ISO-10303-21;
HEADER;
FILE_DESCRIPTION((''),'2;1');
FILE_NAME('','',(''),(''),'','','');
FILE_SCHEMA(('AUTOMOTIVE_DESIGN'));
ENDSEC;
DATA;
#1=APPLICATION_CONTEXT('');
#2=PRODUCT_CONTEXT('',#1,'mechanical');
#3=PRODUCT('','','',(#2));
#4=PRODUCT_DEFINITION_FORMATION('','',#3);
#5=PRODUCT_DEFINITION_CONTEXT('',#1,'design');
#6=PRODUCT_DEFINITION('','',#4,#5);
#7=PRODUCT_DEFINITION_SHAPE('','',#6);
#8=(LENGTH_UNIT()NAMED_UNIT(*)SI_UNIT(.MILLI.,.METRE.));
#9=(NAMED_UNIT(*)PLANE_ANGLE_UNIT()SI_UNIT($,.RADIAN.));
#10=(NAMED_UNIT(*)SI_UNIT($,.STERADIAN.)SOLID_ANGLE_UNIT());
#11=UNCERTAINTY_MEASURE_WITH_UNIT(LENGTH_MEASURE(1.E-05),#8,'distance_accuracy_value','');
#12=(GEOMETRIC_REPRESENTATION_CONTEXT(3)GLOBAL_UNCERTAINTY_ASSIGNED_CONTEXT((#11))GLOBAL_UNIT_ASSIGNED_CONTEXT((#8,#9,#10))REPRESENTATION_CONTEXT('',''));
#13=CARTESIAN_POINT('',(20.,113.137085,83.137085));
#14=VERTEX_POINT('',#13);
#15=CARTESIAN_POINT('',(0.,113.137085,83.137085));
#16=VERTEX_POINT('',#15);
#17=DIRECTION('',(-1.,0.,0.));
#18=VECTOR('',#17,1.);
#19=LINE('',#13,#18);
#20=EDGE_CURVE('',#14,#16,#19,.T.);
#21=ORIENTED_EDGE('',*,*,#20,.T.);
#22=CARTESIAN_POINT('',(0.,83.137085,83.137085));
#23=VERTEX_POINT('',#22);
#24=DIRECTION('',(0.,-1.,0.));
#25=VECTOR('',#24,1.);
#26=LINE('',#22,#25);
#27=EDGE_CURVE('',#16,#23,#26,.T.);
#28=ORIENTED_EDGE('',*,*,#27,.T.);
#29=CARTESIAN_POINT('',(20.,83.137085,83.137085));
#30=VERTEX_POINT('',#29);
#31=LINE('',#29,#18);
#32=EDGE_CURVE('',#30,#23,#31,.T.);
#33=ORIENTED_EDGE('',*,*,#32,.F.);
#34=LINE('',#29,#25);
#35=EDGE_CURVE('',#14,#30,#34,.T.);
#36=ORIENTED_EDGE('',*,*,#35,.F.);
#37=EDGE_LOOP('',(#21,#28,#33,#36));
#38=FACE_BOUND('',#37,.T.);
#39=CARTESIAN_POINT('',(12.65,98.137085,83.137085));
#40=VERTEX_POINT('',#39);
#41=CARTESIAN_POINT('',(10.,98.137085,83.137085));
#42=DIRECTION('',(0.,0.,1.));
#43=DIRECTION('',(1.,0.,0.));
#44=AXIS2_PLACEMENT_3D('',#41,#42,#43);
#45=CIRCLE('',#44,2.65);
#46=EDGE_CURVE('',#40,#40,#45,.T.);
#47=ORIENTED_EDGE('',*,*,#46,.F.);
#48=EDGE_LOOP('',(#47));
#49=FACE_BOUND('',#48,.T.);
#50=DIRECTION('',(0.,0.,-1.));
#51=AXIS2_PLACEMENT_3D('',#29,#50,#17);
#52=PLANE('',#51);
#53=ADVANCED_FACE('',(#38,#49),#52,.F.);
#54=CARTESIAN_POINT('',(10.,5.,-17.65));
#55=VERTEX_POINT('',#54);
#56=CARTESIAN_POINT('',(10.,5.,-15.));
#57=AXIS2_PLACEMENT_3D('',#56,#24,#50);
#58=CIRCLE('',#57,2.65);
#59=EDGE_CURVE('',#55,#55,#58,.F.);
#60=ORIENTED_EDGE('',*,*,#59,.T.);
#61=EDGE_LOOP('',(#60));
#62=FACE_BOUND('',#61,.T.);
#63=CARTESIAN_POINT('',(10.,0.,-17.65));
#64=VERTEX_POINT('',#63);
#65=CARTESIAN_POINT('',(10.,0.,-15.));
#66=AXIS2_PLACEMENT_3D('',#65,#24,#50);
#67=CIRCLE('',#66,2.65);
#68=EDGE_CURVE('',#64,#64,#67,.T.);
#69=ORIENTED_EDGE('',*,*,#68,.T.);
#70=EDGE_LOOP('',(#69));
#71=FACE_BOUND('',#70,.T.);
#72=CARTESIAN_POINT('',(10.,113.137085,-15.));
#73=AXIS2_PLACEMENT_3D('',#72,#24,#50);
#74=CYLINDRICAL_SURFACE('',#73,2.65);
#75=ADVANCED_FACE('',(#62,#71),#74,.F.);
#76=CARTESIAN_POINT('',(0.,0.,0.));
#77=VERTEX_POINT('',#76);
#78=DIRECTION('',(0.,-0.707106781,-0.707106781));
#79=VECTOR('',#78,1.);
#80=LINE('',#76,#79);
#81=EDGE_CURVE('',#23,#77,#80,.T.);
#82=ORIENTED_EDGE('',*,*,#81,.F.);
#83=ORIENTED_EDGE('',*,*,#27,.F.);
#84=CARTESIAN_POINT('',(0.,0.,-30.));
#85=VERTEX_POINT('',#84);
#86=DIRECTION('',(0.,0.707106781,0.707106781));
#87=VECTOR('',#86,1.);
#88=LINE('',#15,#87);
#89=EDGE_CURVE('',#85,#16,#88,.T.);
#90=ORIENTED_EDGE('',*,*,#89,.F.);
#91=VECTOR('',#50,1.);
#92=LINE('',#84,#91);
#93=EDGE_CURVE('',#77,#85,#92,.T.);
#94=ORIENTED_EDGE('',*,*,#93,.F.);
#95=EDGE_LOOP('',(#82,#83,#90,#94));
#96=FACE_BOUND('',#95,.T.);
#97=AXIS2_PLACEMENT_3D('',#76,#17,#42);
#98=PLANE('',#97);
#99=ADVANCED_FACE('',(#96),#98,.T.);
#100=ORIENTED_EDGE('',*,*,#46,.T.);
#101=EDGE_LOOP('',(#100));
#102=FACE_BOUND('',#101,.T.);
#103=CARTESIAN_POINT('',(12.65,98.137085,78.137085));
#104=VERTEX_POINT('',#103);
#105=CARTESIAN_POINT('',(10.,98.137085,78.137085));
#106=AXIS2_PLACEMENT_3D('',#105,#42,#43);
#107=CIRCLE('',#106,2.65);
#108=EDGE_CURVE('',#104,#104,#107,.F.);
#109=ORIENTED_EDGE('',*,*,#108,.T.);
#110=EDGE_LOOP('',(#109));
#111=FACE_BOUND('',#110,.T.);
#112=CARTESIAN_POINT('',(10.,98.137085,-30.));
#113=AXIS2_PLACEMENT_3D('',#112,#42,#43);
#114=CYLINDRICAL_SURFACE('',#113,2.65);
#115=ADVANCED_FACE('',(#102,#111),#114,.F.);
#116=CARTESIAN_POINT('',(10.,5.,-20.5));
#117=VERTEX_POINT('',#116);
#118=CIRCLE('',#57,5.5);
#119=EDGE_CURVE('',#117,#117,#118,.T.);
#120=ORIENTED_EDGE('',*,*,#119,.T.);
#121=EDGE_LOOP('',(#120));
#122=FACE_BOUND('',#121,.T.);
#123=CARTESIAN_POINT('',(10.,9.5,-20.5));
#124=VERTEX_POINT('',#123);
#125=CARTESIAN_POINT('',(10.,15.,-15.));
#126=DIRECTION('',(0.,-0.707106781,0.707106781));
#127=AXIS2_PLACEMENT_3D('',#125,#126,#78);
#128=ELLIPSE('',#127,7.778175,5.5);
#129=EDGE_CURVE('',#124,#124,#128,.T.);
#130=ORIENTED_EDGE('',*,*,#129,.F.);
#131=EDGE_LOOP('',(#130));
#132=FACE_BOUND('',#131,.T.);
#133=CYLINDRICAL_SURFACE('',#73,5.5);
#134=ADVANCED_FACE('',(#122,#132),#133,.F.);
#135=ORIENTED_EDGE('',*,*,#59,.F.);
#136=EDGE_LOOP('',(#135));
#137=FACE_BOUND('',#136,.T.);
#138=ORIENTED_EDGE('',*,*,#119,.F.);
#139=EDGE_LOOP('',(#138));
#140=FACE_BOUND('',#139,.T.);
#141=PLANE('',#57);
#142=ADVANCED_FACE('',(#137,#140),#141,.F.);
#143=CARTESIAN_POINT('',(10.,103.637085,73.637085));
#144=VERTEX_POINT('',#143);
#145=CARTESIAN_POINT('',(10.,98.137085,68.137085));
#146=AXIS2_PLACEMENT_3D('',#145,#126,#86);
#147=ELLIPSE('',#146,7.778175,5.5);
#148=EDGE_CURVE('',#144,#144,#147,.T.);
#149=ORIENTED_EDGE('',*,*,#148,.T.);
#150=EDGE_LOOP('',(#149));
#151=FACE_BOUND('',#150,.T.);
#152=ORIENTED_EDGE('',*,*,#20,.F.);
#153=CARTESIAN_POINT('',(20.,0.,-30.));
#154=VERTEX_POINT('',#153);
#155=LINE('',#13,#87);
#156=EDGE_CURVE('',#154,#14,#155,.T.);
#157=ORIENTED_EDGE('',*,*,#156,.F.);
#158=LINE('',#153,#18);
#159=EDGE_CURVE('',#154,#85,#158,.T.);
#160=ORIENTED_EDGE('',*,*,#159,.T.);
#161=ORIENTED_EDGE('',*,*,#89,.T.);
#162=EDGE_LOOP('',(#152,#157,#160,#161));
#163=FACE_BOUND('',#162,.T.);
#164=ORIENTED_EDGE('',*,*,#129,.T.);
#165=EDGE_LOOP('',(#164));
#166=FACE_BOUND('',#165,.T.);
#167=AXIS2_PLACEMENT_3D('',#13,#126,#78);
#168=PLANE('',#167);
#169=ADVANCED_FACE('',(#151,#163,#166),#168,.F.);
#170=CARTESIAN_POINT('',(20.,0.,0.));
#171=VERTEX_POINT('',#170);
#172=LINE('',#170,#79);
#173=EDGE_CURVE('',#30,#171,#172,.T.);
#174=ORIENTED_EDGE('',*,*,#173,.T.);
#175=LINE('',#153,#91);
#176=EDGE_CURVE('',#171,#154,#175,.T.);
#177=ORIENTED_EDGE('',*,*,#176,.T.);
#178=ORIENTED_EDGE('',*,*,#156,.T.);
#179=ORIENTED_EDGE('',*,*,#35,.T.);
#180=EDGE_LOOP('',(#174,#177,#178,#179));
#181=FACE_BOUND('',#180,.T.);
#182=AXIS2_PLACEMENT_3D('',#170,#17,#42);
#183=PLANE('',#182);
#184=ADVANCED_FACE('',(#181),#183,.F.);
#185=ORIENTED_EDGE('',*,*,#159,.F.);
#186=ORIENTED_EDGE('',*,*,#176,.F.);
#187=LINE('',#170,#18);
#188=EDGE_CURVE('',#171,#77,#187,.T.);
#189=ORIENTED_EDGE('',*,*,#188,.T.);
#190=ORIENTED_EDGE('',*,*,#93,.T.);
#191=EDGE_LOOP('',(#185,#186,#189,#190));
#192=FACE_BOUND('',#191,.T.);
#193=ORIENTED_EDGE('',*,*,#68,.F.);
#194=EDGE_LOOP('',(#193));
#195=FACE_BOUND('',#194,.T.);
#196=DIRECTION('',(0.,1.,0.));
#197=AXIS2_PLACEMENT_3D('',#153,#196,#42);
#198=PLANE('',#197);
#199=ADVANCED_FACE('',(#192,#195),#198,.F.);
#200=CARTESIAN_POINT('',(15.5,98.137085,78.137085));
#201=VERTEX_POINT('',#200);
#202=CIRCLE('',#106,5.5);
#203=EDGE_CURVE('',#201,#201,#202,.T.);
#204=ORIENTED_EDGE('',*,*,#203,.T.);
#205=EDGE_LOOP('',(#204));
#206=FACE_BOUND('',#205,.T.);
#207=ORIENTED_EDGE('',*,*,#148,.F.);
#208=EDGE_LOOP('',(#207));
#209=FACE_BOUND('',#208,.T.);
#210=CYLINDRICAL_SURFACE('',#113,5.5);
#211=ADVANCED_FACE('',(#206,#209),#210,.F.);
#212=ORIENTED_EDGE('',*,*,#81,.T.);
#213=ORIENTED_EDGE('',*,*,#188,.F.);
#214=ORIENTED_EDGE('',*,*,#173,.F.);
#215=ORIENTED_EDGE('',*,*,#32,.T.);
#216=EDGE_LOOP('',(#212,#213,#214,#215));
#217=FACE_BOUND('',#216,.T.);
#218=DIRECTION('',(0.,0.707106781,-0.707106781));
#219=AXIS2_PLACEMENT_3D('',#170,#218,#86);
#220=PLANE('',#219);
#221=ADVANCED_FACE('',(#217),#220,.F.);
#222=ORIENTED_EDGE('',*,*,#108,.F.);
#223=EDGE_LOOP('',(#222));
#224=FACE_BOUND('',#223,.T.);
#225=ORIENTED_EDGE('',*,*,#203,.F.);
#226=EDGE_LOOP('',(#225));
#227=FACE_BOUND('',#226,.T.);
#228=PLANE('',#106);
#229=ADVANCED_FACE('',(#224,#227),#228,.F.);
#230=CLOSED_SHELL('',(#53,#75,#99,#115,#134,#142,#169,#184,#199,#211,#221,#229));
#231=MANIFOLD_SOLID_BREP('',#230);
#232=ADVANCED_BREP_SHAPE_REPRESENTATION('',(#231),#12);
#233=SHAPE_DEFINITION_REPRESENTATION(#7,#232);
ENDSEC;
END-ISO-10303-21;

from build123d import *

# Parameters (mm, degrees)
BOSS_EXTRUDE1_DEPTH = 20
SKETCH3_R           = 2.65
CUT_EXTRUDE1_DEPTH  = 114.13708499
SKETCH4_R           = 2.65
CUT_EXTRUDE2_DEPTH  = 114.13708499
SKETCH5_R           = 5.5
CUT_EXTRUDE3_DEPTH  = 109.13708499
SKETCH6_R           = 5.5
CUT_EXTRUDE4_DEPTH  = 109.13708499


with BuildPart() as part:
    # Sketch2 → Boss-Extrude1 (new body)
    with BuildSketch(Plane(origin=(0, 0, 0), x_dir=(0, 0, -1), z_dir=(1, 0, 0))):
        Polygon((0, 0), (-83.13708499, 83.13708499), (-83.13708499, 113.13708499), (30, 0), align=None)
    extrude(amount=BOSS_EXTRUDE1_DEPTH)

    # Sketch3 → Cut-Extrude1 (cut, through all)
    with BuildSketch(Plane.XZ):
        with Locations((10, -15)):
            Circle(SKETCH3_R)
    extrude(amount=-CUT_EXTRUDE1_DEPTH, mode=Mode.SUBTRACT)

    # Sketch4 → Cut-Extrude2 (cut, through all)
    with BuildSketch(Plane.XY.offset(83.13708499)):
        with Locations((10, 98.13708499)):
            Circle(SKETCH4_R)
    extrude(amount=-CUT_EXTRUDE2_DEPTH, mode=Mode.SUBTRACT)

    # Sketch5 → Cut-Extrude3 (cut, through all)
    with BuildSketch(Plane.XY.offset(78.13708499)):
        with Locations((10, 98.13708499)):
            Circle(SKETCH5_R)
    extrude(amount=-CUT_EXTRUDE3_DEPTH, mode=Mode.SUBTRACT)

    # Sketch6 → Cut-Extrude4 (cut, through all)
    with BuildSketch(Plane(origin=(0, 5, 0), x_dir=(-1, 0, 0), z_dir=(0, -1, 0))):
        with Locations((-10, 15)):
            Circle(SKETCH6_R)
    extrude(amount=-CUT_EXTRUDE4_DEPTH, mode=Mode.SUBTRACT)


solid = part.part
